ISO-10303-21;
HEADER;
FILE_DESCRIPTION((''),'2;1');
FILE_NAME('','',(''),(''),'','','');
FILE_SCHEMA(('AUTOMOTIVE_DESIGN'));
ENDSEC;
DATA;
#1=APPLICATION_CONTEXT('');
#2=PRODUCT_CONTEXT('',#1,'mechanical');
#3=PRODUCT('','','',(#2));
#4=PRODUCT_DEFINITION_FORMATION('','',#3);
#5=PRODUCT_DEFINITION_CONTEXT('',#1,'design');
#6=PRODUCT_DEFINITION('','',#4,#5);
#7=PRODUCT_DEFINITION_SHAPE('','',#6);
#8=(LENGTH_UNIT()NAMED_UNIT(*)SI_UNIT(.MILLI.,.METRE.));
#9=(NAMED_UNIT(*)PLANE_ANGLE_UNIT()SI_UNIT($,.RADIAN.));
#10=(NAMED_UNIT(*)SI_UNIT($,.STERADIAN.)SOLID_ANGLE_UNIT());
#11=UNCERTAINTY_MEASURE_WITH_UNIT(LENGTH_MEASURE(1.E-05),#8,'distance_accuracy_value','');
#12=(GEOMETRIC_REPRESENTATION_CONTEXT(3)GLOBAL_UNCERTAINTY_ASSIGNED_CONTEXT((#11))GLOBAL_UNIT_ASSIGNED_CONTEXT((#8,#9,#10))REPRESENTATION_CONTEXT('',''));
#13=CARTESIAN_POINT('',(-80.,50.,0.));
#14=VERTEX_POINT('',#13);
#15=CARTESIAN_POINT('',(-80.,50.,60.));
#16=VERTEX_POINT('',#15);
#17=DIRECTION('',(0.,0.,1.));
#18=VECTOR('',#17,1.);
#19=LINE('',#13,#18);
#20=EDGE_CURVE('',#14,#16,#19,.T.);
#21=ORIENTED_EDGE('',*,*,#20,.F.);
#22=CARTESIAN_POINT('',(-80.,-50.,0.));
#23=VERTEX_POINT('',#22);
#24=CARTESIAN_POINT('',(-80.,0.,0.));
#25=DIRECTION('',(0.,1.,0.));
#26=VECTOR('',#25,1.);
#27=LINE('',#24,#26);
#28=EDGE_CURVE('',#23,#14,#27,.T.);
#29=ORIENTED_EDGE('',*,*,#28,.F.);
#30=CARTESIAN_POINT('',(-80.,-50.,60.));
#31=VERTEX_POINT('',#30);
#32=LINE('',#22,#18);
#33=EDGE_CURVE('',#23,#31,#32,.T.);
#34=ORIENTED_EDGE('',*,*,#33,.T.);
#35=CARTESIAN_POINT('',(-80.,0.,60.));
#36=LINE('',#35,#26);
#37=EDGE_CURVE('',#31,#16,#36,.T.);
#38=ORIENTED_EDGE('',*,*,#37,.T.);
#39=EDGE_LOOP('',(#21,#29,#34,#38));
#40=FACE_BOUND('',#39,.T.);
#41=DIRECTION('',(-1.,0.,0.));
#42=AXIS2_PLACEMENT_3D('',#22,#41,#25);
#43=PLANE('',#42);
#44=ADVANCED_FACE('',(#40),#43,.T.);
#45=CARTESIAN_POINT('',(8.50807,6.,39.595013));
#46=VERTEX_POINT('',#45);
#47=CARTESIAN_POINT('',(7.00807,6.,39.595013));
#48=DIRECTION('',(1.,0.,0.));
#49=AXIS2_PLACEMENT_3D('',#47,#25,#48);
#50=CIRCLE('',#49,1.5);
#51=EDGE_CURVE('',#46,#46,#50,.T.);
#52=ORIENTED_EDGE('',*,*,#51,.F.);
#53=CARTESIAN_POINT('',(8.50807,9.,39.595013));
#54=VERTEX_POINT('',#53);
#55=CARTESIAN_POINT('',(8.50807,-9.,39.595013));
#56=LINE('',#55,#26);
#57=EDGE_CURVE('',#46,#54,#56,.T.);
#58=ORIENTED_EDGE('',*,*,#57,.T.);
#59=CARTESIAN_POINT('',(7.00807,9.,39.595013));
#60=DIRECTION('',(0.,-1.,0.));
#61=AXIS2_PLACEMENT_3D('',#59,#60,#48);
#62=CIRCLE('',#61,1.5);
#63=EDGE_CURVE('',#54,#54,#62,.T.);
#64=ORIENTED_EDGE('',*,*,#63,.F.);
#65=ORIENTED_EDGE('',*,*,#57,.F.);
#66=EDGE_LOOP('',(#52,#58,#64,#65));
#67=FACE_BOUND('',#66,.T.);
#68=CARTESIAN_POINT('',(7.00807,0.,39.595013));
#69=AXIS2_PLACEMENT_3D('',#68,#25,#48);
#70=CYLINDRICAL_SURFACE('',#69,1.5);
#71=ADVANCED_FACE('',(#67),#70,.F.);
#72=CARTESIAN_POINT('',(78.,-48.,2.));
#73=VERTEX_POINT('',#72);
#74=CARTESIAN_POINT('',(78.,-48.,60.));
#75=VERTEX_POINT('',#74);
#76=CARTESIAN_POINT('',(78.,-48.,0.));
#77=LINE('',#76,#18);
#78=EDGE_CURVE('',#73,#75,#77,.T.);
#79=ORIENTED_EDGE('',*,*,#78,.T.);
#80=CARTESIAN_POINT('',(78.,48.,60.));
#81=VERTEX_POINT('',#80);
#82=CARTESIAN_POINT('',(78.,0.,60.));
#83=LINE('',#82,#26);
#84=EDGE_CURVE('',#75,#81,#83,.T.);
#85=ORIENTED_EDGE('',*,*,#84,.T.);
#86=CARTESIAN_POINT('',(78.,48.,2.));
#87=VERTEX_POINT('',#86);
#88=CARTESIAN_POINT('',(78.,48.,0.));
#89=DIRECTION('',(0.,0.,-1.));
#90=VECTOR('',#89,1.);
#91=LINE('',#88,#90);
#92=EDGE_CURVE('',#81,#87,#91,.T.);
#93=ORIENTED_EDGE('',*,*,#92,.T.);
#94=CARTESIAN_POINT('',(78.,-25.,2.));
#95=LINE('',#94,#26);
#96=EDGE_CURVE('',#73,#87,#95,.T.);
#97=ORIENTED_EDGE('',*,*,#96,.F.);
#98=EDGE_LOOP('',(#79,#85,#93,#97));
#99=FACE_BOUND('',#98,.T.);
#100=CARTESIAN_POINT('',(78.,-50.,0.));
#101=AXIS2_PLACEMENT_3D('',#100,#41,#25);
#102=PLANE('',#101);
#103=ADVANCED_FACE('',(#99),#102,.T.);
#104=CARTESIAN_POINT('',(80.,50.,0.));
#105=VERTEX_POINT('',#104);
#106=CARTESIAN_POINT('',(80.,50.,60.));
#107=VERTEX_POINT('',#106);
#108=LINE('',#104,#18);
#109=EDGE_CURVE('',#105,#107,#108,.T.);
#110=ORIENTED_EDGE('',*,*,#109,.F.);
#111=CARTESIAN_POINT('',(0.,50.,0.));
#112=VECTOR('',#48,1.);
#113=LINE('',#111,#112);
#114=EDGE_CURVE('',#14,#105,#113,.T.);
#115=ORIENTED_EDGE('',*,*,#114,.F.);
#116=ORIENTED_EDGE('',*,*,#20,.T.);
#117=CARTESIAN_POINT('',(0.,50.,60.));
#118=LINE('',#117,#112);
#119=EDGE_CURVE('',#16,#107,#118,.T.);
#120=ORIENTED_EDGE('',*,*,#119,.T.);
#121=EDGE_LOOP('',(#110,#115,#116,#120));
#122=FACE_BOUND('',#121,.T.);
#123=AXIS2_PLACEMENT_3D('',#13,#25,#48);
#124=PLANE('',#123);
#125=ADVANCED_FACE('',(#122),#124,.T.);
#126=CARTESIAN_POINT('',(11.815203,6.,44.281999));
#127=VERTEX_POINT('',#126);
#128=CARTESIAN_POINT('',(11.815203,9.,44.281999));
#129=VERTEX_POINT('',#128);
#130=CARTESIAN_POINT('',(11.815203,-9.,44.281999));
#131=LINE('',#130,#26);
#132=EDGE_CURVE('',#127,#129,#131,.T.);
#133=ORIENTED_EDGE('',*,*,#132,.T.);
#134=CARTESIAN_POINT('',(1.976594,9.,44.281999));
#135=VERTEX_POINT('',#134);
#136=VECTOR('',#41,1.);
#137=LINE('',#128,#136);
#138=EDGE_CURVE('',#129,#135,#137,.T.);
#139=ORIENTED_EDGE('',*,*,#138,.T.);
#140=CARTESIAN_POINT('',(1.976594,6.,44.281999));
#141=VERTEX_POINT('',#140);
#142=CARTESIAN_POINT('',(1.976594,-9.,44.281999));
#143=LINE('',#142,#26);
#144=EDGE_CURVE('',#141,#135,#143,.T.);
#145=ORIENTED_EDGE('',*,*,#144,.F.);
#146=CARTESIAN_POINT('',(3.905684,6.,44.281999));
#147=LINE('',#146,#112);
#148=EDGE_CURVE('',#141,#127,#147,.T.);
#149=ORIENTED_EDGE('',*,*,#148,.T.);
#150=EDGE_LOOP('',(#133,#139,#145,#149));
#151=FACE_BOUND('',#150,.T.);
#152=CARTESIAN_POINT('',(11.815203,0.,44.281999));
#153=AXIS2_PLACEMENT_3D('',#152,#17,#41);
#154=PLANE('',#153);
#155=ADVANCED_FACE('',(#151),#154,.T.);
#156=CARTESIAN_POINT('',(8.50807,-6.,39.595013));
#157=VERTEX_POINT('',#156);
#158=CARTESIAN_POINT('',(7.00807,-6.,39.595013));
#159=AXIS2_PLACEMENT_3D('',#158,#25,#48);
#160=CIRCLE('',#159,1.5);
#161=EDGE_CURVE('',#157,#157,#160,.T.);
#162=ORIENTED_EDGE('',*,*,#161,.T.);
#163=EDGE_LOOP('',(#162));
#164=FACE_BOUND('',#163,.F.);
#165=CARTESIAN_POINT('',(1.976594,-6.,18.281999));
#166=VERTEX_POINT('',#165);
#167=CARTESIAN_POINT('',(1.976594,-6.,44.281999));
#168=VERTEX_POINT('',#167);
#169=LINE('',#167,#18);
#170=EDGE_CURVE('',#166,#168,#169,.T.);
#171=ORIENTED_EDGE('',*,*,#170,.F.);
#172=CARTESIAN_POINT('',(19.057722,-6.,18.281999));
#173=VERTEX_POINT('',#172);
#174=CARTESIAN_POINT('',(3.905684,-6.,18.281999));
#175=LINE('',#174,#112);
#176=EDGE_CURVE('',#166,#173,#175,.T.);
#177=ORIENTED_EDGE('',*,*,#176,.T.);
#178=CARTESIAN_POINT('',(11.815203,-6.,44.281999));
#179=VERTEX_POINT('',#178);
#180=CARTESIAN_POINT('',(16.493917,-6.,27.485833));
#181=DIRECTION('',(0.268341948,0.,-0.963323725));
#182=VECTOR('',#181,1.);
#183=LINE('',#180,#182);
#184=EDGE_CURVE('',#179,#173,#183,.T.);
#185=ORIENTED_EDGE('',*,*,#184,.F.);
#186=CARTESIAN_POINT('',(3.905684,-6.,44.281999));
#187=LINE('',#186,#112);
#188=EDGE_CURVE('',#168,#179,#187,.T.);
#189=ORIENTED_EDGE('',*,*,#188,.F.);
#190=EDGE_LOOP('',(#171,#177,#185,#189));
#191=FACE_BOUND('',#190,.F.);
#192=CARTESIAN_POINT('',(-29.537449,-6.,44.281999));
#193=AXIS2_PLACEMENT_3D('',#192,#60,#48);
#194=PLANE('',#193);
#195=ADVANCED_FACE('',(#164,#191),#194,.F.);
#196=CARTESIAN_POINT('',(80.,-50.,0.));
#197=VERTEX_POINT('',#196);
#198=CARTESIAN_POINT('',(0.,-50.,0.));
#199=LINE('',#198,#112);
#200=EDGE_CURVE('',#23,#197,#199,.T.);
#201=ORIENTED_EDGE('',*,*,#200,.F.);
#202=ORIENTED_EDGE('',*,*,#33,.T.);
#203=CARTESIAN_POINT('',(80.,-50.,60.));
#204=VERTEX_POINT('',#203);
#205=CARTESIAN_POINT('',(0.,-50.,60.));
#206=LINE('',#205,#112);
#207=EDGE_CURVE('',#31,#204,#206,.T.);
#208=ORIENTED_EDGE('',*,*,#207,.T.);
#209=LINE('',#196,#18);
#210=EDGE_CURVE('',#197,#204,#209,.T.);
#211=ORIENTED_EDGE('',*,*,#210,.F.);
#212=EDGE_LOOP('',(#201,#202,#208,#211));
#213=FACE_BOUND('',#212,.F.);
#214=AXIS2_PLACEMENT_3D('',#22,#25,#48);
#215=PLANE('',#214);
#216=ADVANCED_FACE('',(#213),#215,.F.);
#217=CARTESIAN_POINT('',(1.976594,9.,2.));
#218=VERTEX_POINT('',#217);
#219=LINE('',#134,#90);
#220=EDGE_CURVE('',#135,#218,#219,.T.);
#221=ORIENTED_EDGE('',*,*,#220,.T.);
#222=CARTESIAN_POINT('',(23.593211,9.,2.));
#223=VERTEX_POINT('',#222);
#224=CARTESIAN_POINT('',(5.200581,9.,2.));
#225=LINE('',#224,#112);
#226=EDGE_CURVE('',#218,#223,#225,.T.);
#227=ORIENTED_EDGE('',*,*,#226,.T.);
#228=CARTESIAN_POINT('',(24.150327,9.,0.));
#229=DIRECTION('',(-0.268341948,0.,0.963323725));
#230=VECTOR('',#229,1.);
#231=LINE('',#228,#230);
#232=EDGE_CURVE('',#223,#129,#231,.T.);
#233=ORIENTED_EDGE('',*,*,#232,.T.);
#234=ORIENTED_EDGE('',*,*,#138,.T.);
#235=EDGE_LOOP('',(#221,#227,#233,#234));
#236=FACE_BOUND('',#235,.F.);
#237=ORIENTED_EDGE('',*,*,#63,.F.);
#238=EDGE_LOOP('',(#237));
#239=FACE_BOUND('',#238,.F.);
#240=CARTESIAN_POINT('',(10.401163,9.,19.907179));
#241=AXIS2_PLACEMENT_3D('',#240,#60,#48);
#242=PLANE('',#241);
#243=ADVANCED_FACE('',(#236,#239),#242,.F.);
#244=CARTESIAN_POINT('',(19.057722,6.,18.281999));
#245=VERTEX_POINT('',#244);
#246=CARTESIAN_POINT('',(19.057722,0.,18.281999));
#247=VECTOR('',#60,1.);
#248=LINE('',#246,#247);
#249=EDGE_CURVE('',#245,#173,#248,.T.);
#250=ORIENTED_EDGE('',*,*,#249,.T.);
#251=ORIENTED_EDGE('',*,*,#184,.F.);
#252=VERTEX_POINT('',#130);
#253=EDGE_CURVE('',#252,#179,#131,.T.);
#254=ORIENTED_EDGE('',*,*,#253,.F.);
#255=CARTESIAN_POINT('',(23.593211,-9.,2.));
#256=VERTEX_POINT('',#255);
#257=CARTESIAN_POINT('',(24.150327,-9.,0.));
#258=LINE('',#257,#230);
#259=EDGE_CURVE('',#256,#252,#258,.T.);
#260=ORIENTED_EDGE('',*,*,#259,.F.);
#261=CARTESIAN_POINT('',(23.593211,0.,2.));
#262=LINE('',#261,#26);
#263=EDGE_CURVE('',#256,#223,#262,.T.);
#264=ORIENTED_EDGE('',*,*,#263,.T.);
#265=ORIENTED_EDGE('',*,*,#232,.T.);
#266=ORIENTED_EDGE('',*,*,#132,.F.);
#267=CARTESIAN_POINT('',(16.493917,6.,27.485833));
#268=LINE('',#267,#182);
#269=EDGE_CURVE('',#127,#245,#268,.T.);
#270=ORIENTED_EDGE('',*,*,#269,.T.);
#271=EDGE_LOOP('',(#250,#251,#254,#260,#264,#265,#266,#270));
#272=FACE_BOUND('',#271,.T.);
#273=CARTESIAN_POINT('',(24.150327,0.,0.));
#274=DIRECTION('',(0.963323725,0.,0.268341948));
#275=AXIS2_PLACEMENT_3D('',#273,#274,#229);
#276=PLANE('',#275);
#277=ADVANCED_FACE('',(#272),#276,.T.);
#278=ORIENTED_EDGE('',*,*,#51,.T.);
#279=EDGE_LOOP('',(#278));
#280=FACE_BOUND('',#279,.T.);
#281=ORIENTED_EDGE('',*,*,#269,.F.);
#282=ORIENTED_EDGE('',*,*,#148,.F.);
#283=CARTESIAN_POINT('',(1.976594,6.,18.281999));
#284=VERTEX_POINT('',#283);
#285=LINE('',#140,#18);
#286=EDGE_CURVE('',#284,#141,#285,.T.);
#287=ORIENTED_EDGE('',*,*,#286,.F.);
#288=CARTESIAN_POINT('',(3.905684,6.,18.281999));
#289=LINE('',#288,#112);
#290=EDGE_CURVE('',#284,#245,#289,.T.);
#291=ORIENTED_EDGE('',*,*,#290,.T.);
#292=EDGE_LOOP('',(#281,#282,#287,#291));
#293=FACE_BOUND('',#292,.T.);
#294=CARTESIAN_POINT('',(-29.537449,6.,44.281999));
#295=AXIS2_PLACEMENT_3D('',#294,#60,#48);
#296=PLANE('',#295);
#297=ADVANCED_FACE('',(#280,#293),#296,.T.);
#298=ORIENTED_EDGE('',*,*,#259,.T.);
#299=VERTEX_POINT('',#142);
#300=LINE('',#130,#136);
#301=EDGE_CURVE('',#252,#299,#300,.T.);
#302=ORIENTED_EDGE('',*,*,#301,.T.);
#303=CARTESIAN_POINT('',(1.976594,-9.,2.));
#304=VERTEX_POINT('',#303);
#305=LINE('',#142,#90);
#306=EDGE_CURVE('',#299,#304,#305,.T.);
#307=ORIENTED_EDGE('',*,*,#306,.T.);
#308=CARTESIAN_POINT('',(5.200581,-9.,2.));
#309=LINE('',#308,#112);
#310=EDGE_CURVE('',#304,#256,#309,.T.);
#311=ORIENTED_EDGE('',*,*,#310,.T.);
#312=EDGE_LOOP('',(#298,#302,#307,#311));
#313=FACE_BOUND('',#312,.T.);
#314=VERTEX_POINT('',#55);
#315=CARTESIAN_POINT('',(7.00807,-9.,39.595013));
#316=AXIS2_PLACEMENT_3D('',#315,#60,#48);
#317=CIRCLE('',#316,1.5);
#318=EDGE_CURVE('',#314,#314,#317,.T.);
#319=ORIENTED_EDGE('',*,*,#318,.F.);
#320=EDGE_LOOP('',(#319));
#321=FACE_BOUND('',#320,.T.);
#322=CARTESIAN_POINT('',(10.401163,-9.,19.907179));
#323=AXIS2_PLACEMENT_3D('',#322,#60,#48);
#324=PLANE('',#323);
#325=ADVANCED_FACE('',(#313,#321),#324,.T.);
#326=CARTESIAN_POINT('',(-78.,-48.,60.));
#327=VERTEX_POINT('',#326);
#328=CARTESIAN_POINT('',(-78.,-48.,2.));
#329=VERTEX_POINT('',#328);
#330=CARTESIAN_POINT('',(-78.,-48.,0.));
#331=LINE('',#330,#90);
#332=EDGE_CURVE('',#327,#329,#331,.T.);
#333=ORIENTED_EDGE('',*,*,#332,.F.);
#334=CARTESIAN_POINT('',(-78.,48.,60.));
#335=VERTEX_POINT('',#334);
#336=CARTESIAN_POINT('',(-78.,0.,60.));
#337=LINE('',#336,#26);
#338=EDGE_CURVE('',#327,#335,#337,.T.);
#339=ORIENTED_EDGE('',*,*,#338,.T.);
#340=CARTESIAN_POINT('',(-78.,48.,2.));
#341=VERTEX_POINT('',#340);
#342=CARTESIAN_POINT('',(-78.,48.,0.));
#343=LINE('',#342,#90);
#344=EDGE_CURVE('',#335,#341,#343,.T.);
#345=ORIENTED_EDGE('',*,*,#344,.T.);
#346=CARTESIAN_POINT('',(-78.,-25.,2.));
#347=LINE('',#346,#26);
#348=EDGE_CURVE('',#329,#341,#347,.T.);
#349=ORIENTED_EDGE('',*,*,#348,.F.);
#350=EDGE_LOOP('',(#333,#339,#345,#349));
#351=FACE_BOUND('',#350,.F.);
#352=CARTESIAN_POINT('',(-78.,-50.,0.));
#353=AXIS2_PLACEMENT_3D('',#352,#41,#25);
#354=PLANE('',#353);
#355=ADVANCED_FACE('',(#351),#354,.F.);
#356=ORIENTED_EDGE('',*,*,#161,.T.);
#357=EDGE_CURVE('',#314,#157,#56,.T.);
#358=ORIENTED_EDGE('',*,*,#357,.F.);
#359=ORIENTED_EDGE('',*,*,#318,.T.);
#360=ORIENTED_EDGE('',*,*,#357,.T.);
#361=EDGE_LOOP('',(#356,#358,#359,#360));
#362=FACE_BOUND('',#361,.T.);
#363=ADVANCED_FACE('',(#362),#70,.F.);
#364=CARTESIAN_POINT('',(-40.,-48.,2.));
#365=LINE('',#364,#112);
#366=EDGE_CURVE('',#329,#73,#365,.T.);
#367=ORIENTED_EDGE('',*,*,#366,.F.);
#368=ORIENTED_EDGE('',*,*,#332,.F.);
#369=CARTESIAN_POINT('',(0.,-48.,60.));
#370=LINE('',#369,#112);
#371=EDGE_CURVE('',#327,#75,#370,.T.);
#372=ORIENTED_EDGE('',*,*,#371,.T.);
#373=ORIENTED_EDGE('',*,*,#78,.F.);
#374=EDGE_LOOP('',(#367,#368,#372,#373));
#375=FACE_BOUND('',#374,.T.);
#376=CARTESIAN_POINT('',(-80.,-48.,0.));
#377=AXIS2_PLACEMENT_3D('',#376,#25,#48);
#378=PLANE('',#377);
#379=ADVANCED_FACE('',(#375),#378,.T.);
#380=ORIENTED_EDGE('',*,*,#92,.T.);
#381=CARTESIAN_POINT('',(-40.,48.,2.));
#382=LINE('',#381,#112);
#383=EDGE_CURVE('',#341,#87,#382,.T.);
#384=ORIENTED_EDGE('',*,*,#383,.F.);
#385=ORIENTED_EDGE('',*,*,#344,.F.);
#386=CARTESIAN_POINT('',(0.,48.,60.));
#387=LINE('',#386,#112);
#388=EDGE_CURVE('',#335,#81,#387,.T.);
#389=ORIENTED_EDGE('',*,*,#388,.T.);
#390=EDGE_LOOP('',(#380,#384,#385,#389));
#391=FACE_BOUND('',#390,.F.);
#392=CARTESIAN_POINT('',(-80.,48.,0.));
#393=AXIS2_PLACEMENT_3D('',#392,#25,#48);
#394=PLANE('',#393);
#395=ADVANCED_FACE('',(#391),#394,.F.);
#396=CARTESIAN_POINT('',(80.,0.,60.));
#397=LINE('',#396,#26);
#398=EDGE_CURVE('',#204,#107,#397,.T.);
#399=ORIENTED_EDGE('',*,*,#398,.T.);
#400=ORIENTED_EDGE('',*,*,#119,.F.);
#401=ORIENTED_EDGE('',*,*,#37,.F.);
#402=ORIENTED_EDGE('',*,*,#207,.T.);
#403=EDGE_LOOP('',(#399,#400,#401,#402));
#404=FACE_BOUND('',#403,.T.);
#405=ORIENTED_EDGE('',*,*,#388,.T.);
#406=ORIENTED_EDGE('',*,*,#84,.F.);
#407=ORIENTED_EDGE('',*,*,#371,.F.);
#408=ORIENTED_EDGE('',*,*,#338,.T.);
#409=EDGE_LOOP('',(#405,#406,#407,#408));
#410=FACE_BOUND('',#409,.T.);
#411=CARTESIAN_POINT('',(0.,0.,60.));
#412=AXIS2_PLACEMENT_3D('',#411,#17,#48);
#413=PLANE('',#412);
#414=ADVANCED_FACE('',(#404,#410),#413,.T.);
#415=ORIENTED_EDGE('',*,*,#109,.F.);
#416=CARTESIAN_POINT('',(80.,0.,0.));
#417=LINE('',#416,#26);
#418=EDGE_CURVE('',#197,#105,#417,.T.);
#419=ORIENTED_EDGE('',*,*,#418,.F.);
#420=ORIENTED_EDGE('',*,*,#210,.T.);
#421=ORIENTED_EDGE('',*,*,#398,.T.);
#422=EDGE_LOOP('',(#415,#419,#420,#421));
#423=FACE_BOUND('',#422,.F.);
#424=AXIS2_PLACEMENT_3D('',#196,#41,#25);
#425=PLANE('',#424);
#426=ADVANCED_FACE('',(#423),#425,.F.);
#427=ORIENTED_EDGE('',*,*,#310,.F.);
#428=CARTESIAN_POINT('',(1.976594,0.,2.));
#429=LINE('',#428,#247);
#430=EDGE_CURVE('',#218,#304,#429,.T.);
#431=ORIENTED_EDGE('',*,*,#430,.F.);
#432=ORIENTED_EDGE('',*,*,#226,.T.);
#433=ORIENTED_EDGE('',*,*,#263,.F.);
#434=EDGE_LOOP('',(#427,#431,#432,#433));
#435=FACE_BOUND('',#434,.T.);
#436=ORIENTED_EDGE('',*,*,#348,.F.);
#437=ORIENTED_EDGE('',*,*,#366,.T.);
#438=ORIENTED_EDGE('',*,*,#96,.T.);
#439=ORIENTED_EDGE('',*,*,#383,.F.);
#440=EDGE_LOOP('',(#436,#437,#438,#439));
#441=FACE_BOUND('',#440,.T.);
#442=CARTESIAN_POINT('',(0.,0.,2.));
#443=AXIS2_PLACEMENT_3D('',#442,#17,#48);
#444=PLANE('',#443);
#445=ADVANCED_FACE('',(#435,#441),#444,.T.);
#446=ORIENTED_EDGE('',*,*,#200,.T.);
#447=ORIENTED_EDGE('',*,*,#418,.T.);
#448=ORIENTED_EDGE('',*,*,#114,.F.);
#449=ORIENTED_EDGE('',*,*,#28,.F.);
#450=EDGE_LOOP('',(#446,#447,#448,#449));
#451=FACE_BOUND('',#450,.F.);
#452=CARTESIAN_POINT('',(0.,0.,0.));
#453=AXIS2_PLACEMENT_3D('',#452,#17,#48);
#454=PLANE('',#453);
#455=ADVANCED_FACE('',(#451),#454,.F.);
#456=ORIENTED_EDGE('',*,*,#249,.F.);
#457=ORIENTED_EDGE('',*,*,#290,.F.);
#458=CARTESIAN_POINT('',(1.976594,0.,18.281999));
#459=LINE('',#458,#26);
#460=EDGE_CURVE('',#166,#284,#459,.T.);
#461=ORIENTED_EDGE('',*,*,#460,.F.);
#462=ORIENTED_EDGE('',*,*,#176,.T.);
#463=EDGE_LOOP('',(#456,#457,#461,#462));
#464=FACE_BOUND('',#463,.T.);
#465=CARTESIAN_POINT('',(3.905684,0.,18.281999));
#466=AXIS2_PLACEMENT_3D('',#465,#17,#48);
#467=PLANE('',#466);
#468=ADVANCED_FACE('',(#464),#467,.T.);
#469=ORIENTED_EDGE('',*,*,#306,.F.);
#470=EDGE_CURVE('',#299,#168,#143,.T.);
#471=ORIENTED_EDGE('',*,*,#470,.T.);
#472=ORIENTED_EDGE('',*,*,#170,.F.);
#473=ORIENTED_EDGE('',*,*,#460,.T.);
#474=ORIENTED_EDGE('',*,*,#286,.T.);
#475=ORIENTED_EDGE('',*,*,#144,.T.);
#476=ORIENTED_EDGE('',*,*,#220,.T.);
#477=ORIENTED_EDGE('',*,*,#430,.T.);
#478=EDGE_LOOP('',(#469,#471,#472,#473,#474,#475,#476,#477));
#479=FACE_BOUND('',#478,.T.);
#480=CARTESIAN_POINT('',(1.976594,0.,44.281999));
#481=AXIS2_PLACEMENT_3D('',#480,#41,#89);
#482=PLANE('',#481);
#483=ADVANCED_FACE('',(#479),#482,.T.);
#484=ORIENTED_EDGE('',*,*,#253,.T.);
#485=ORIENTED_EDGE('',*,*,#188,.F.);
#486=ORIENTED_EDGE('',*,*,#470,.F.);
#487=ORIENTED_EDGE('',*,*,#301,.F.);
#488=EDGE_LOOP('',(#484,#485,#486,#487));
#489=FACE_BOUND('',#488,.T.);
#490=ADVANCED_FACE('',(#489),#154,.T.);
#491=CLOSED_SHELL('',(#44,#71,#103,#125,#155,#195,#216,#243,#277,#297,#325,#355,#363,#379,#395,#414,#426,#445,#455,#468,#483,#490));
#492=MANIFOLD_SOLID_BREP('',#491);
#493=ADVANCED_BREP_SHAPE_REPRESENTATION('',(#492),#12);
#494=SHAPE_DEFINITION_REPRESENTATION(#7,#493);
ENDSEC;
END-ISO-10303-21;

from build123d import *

# Parameters (mm, degrees)
F0_W     = 160
F0_H     = 100
F2_DEPTH = 60
F3_T     = -2
F4_R     = 1.5
F5_DEPTH = 9
F6_W     = 66.8862648116
F6_H     = 12
F7_DEPTH = 26


with BuildPart() as f2:
    # F0 (on Top) → F2 (new body)
    with BuildSketch(Plane.XY):
        Rectangle(F0_W, F0_H)
    extrude(amount=F2_DEPTH)

    # F3
    f3_openings = [f2.faces().sort_by_distance(p)[0] for p in [
        (0, 0, 60),
    ]]
    offset(amount=F3_T, openings=f3_openings)

    # F4 (on Front) → F5 (join, symmetric)
    with BuildSketch(Plane.XZ):
        Polygon((1.976594096, 44.2819991666), (1.976594096, 0), (24.1503274081, 0), (11.8152030863, 44.2819991666), align=None)
        with Locations((7.0080704532, 39.5950130723)):
            Circle(F4_R, mode=Mode.SUBTRACT)
    extrude(amount=F5_DEPTH, both=True)

    # F6 (on face) → F7 (cut)
    with BuildSketch(Plane.XY.offset(44.2819991666)):
        with Locations((3.9056837824, 0)):
            Rectangle(F6_W, F6_H)
    extrude(amount=-F7_DEPTH, mode=Mode.SUBTRACT)


solid = f2.part
